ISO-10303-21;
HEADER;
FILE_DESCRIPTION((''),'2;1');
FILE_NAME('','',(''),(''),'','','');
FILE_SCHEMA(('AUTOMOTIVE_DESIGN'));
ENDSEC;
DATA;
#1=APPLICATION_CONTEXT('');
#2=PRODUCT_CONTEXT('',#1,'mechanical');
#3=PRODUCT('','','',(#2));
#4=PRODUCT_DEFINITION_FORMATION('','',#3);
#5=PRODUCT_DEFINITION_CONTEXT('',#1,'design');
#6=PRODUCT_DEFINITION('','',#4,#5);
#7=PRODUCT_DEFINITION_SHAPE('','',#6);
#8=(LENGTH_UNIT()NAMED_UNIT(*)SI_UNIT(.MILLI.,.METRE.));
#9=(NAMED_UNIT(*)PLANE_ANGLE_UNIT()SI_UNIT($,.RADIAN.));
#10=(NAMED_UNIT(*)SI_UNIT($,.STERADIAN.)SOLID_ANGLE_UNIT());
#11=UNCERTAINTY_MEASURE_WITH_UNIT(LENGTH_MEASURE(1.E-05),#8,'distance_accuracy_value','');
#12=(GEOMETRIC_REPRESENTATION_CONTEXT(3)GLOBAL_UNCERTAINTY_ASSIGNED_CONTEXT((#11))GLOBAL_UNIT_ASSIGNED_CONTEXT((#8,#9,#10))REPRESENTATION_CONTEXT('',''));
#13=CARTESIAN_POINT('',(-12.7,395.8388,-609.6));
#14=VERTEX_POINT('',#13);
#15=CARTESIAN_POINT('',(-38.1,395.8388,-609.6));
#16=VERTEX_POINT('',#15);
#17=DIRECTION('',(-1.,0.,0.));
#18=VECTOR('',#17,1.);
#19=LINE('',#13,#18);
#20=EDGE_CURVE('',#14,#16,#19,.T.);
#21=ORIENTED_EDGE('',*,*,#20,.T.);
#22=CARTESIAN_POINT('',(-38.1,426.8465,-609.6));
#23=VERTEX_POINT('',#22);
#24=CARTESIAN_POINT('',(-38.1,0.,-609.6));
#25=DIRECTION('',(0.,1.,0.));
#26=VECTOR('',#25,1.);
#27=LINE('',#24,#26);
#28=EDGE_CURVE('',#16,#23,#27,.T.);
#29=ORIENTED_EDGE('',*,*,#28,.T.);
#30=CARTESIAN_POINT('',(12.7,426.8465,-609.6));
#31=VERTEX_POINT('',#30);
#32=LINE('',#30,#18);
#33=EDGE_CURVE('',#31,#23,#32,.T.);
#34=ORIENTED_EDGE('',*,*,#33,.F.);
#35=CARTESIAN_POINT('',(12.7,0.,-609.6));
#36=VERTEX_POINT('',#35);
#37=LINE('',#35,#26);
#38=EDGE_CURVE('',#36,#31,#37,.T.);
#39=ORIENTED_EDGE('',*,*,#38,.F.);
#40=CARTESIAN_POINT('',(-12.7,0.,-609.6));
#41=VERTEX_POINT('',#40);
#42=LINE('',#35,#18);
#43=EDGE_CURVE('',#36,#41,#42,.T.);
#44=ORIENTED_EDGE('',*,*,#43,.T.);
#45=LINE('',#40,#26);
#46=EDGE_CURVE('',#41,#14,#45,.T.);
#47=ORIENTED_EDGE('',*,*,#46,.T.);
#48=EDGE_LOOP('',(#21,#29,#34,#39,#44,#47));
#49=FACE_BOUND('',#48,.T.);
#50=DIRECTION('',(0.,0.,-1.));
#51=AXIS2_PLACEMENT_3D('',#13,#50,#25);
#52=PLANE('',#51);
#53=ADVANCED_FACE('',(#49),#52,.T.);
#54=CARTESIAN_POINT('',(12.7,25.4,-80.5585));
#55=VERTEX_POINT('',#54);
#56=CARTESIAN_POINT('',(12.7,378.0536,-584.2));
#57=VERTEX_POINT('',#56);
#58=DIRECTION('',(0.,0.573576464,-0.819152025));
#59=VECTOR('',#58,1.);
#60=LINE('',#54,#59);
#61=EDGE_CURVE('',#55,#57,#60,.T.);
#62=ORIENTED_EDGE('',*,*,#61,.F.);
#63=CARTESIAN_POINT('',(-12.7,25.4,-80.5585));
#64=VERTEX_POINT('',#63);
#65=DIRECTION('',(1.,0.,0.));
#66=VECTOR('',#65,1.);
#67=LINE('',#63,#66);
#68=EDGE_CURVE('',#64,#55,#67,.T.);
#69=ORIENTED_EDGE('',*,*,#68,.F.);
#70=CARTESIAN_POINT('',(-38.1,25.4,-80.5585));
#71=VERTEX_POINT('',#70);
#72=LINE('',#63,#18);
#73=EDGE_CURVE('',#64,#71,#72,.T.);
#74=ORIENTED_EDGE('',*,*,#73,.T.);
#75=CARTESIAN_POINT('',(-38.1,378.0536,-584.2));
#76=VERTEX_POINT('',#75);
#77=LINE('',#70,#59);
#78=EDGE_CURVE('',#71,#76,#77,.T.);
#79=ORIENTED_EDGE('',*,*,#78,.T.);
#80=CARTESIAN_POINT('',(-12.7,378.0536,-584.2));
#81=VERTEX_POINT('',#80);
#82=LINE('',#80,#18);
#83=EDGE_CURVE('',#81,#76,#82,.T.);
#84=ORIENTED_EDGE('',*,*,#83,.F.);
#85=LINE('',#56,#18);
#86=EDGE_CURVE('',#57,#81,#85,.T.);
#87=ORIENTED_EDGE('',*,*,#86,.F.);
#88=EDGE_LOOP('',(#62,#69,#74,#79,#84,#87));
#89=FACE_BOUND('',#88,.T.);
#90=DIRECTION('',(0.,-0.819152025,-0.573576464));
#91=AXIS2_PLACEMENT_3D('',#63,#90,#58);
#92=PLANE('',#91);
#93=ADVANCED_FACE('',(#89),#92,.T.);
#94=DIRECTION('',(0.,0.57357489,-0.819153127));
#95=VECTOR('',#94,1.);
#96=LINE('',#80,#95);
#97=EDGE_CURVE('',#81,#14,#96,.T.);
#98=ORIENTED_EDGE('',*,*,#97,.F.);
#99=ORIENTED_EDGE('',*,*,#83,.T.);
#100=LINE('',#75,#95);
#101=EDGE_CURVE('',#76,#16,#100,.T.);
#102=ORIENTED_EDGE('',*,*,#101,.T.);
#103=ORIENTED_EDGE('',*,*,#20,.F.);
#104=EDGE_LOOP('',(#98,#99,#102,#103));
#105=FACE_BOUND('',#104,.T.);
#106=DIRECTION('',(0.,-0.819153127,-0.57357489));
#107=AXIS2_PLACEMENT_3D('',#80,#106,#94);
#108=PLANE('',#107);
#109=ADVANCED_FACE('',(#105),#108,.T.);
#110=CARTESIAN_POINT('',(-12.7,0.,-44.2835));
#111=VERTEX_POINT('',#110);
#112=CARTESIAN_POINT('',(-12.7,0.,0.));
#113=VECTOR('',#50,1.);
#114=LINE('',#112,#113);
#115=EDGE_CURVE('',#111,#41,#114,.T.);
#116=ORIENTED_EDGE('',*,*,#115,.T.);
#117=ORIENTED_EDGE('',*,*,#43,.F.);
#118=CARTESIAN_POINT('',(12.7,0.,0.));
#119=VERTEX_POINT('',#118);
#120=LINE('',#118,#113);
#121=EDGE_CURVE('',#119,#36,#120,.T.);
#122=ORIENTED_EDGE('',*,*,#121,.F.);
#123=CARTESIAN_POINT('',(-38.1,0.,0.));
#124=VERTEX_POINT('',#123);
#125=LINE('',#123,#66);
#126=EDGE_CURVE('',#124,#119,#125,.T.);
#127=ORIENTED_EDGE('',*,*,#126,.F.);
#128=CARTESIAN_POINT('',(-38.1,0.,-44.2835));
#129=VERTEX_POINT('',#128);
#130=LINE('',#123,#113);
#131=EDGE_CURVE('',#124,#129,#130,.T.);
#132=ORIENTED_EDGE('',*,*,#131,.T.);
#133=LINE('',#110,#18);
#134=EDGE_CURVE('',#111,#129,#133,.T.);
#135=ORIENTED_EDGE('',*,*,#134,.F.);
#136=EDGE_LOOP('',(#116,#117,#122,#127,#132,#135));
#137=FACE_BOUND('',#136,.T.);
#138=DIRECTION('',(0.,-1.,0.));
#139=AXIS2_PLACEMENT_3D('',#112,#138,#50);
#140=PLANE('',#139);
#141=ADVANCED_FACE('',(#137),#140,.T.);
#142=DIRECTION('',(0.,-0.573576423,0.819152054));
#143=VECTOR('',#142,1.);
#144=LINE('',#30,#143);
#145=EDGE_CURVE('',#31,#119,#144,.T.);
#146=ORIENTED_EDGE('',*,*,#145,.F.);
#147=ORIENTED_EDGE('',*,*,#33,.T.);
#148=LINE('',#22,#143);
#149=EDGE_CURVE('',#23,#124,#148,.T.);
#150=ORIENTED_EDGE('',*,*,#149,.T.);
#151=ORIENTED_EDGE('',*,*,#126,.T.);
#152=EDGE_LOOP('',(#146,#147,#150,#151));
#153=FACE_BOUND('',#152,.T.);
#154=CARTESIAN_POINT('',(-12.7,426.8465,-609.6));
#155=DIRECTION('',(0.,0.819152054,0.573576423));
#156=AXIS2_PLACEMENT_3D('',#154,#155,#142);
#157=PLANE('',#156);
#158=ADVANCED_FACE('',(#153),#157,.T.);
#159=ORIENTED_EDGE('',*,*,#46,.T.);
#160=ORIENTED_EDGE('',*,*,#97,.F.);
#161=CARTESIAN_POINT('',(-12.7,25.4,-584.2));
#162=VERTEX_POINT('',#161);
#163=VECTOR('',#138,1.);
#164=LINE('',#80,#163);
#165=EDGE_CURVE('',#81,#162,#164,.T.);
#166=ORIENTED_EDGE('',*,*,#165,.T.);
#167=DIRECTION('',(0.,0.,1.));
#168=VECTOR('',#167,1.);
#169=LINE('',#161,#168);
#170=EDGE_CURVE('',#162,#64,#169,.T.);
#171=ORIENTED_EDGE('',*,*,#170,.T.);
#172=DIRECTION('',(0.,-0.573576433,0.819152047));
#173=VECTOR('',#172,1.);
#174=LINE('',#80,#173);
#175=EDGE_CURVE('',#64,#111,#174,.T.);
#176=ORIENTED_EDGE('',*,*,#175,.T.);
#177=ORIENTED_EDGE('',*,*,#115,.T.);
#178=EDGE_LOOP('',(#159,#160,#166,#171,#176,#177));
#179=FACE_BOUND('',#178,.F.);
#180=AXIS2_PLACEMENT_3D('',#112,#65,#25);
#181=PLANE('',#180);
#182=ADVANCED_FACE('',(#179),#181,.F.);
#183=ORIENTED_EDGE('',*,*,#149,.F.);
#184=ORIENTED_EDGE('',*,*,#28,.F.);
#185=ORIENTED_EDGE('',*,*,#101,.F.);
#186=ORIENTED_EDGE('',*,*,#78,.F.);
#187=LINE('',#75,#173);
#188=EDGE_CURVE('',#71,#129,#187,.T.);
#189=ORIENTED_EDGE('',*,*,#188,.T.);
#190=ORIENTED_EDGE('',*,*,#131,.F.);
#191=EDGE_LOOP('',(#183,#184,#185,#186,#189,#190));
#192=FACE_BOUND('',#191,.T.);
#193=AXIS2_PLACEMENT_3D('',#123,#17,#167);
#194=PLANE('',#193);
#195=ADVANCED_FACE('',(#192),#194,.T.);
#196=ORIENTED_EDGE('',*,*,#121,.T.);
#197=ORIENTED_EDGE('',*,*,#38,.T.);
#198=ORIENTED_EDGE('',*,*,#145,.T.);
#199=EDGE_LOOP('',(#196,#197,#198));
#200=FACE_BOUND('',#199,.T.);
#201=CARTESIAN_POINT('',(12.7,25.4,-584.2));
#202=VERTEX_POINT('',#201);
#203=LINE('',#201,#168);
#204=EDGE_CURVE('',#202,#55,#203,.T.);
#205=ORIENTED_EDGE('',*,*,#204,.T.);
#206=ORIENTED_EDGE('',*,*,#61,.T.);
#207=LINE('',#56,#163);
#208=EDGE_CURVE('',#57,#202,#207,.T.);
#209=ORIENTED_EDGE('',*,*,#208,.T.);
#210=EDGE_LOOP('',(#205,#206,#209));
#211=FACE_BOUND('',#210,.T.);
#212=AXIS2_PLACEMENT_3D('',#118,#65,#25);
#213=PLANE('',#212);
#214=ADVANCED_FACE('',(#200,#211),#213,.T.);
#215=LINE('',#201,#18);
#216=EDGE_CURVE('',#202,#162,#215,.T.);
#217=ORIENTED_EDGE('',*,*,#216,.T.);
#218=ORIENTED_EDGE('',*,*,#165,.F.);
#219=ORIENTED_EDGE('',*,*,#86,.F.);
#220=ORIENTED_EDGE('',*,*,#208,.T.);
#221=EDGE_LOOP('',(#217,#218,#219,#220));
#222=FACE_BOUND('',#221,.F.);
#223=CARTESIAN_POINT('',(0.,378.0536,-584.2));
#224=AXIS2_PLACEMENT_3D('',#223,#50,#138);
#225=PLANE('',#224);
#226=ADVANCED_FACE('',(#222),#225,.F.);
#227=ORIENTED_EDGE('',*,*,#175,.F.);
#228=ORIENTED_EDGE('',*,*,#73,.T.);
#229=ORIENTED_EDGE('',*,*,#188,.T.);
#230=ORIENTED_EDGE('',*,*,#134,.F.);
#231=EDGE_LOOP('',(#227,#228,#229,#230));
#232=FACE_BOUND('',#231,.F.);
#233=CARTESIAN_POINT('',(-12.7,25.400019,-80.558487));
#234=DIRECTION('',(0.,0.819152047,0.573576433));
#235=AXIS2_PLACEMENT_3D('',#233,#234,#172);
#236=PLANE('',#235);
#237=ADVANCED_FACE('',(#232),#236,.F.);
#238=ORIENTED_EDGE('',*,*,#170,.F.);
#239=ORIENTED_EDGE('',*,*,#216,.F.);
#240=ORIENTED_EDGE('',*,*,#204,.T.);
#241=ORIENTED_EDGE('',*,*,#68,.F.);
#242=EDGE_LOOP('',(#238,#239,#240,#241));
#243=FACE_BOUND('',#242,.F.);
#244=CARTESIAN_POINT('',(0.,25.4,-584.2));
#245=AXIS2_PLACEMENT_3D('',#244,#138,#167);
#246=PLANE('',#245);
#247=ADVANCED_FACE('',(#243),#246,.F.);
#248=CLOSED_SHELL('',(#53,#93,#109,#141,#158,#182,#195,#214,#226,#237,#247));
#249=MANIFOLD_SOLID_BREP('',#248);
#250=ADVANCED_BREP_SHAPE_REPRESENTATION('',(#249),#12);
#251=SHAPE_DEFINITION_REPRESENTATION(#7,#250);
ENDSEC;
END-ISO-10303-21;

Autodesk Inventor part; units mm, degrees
ref_plane "YZ Plane" through (0, 0, 0) normal (1, 0, 0) x (0, 1, 0)
ref_plane "XZ Plane" through (0, 0, 0) normal (0, 1, 0) x (-1, 0, 0)
ref_plane "XY Plane" through (0, 0, 0) normal (0, 0, 1) x (1, 0, 0)
sketch "Sketch1" plane through (0, 0, 0) normal (1, 0, 0) x (0, 1, 0)
  line L0 (0, 0) -> (0, -609.6)
  line L1 (0, -609.6) -> (426.8465, -609.6)
  line L2 (426.8465, -609.6) -> (0, 0)
  line L3 (25.4, -80.5585) -> (378.0536, -584.2)
  line L4 (378.0536, -584.2) -> (25.4, -584.2)
  line L5 (25.4, -584.2) -> (25.4, -80.5585)
  dimension "d0" = 609.6
  dimension "d1" = 35
  dimension "d2" = 25.4
  dimension "d3" = 25.4
  dimension "d4" = 25.4
extrude "Extrusion1" add sketch "Sketch1" along normal mid plane 25.4
sketch "Sketch3" plane through (-12.7, 0, 0) normal (-1, 0, 0) x (0, 0, 1)
  line L0 (-609.6, 426.8465) -> (0, 0) projected
  line L1 (-609.6, 426.8465) -> (0, 0)
  line L2 (-80.5585, 25.4) -> (-584.2, 378.0536) projected
  line L3 (-584.2, 378.0536) -> (-44.2835, 0)
  line L4 (0, 0) -> (-609.6, 0) projected
  line L5 (-44.2835, 0) -> (0, 0)
  line L6 (0, 0) -> (-44.2835, 0)
  line L7 (-584.2, 378.0536) -> (-609.6, 395.8388)
  line L8 (-609.6, 0) -> (-609.6, 426.8465) projected
  line L9 (-609.6, 426.8465) -> (-609.6, 395.8388)
extrude "Extrusion3" add sketch "Sketch3" along normal blind 25.4 contours L0 L4 L3 L2 L7 L8
ref_plane "powerCellWorkPlane" through (-38.1, 72.8226, 50.9909) normal (0, 0.8192, 0.5736) x (1, 0, 0)
sketch "Sketch4" plane through (-38.1, 72.8226, 50.9909) normal (0, 0.8192, 0.5736) x (1, 0, 0)
  point P0 (38.1, 0)
properties part number "ballRampLeftSide-35degee-V04"
